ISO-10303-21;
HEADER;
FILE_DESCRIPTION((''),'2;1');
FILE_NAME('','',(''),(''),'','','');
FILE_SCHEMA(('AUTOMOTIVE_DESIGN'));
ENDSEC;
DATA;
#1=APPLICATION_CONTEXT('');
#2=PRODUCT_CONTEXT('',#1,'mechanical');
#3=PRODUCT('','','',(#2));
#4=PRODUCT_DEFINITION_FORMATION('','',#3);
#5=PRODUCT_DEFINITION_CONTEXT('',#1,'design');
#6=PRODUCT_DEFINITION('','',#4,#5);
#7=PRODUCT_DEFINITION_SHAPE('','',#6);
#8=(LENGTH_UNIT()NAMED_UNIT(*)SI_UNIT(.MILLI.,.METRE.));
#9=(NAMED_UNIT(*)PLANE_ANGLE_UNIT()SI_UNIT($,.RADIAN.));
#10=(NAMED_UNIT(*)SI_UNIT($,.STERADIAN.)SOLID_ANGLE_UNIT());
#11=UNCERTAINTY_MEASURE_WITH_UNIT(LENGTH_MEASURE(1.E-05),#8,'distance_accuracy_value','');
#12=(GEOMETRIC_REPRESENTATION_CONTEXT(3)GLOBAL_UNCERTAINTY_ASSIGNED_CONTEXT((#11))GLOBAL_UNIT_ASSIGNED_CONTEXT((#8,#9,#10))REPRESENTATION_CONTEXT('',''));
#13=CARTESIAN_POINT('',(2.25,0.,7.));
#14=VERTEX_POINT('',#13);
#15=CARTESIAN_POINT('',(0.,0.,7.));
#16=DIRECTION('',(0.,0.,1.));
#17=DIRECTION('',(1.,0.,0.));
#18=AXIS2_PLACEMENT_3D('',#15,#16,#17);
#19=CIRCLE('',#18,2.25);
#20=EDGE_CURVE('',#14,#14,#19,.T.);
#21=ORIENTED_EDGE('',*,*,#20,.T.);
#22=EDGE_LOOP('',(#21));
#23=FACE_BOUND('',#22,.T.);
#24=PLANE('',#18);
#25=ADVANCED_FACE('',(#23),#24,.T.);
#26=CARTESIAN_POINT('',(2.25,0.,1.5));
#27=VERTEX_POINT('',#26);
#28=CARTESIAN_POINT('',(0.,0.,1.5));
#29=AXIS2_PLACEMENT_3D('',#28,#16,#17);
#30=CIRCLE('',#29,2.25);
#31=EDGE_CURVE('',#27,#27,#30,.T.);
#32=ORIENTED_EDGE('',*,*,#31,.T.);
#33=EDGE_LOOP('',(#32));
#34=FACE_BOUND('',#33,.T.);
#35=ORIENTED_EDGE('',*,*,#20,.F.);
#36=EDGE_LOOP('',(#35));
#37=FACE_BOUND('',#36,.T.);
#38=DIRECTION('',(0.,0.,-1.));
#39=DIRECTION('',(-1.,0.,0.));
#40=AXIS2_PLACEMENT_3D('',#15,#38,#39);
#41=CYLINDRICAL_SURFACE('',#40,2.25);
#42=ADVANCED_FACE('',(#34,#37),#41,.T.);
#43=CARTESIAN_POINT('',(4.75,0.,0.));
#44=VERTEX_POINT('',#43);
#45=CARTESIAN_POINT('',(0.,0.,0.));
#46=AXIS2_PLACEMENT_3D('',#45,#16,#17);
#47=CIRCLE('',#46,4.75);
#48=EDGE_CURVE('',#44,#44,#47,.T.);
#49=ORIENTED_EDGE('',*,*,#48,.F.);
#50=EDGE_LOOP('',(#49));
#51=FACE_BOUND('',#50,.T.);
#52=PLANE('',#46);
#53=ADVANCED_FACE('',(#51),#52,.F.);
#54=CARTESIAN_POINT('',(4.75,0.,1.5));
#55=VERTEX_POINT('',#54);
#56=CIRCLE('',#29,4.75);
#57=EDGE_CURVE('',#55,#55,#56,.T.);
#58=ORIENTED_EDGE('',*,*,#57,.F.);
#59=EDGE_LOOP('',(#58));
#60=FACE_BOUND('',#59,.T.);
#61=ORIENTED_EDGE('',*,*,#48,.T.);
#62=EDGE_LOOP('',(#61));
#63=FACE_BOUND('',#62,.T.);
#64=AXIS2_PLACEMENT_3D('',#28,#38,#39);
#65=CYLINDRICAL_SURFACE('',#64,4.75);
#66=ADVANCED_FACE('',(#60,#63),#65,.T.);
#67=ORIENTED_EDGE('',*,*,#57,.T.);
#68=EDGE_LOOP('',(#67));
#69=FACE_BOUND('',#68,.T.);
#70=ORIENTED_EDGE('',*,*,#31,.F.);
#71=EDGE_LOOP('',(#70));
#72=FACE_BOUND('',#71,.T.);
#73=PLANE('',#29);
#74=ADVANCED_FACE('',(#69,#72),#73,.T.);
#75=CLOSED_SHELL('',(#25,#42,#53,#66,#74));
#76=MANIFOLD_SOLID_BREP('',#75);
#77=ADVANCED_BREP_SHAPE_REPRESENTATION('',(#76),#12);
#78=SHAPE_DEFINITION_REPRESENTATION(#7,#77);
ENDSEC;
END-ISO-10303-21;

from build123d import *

# Parameters (mm, degrees)
SKETCH_1_R      = 4.75
EXTRUDE_1_DEPTH = 1.5
SKETCH_2_R      = 2.25
EXTRUDE_2_DEPTH = 5.5


with BuildPart() as part:
    # 草图1 → 凸台-拉伸1 (new body)
    with BuildSketch(Plane.XY):
        Circle(SKETCH_1_R)
    extrude(amount=EXTRUDE_1_DEPTH)

    # 草图2 → 凸台-拉伸2 (add)
    with BuildSketch(Plane.XY.offset(1.5)):
        Circle(SKETCH_2_R)
    extrude(amount=EXTRUDE_2_DEPTH)


solid = part.part
